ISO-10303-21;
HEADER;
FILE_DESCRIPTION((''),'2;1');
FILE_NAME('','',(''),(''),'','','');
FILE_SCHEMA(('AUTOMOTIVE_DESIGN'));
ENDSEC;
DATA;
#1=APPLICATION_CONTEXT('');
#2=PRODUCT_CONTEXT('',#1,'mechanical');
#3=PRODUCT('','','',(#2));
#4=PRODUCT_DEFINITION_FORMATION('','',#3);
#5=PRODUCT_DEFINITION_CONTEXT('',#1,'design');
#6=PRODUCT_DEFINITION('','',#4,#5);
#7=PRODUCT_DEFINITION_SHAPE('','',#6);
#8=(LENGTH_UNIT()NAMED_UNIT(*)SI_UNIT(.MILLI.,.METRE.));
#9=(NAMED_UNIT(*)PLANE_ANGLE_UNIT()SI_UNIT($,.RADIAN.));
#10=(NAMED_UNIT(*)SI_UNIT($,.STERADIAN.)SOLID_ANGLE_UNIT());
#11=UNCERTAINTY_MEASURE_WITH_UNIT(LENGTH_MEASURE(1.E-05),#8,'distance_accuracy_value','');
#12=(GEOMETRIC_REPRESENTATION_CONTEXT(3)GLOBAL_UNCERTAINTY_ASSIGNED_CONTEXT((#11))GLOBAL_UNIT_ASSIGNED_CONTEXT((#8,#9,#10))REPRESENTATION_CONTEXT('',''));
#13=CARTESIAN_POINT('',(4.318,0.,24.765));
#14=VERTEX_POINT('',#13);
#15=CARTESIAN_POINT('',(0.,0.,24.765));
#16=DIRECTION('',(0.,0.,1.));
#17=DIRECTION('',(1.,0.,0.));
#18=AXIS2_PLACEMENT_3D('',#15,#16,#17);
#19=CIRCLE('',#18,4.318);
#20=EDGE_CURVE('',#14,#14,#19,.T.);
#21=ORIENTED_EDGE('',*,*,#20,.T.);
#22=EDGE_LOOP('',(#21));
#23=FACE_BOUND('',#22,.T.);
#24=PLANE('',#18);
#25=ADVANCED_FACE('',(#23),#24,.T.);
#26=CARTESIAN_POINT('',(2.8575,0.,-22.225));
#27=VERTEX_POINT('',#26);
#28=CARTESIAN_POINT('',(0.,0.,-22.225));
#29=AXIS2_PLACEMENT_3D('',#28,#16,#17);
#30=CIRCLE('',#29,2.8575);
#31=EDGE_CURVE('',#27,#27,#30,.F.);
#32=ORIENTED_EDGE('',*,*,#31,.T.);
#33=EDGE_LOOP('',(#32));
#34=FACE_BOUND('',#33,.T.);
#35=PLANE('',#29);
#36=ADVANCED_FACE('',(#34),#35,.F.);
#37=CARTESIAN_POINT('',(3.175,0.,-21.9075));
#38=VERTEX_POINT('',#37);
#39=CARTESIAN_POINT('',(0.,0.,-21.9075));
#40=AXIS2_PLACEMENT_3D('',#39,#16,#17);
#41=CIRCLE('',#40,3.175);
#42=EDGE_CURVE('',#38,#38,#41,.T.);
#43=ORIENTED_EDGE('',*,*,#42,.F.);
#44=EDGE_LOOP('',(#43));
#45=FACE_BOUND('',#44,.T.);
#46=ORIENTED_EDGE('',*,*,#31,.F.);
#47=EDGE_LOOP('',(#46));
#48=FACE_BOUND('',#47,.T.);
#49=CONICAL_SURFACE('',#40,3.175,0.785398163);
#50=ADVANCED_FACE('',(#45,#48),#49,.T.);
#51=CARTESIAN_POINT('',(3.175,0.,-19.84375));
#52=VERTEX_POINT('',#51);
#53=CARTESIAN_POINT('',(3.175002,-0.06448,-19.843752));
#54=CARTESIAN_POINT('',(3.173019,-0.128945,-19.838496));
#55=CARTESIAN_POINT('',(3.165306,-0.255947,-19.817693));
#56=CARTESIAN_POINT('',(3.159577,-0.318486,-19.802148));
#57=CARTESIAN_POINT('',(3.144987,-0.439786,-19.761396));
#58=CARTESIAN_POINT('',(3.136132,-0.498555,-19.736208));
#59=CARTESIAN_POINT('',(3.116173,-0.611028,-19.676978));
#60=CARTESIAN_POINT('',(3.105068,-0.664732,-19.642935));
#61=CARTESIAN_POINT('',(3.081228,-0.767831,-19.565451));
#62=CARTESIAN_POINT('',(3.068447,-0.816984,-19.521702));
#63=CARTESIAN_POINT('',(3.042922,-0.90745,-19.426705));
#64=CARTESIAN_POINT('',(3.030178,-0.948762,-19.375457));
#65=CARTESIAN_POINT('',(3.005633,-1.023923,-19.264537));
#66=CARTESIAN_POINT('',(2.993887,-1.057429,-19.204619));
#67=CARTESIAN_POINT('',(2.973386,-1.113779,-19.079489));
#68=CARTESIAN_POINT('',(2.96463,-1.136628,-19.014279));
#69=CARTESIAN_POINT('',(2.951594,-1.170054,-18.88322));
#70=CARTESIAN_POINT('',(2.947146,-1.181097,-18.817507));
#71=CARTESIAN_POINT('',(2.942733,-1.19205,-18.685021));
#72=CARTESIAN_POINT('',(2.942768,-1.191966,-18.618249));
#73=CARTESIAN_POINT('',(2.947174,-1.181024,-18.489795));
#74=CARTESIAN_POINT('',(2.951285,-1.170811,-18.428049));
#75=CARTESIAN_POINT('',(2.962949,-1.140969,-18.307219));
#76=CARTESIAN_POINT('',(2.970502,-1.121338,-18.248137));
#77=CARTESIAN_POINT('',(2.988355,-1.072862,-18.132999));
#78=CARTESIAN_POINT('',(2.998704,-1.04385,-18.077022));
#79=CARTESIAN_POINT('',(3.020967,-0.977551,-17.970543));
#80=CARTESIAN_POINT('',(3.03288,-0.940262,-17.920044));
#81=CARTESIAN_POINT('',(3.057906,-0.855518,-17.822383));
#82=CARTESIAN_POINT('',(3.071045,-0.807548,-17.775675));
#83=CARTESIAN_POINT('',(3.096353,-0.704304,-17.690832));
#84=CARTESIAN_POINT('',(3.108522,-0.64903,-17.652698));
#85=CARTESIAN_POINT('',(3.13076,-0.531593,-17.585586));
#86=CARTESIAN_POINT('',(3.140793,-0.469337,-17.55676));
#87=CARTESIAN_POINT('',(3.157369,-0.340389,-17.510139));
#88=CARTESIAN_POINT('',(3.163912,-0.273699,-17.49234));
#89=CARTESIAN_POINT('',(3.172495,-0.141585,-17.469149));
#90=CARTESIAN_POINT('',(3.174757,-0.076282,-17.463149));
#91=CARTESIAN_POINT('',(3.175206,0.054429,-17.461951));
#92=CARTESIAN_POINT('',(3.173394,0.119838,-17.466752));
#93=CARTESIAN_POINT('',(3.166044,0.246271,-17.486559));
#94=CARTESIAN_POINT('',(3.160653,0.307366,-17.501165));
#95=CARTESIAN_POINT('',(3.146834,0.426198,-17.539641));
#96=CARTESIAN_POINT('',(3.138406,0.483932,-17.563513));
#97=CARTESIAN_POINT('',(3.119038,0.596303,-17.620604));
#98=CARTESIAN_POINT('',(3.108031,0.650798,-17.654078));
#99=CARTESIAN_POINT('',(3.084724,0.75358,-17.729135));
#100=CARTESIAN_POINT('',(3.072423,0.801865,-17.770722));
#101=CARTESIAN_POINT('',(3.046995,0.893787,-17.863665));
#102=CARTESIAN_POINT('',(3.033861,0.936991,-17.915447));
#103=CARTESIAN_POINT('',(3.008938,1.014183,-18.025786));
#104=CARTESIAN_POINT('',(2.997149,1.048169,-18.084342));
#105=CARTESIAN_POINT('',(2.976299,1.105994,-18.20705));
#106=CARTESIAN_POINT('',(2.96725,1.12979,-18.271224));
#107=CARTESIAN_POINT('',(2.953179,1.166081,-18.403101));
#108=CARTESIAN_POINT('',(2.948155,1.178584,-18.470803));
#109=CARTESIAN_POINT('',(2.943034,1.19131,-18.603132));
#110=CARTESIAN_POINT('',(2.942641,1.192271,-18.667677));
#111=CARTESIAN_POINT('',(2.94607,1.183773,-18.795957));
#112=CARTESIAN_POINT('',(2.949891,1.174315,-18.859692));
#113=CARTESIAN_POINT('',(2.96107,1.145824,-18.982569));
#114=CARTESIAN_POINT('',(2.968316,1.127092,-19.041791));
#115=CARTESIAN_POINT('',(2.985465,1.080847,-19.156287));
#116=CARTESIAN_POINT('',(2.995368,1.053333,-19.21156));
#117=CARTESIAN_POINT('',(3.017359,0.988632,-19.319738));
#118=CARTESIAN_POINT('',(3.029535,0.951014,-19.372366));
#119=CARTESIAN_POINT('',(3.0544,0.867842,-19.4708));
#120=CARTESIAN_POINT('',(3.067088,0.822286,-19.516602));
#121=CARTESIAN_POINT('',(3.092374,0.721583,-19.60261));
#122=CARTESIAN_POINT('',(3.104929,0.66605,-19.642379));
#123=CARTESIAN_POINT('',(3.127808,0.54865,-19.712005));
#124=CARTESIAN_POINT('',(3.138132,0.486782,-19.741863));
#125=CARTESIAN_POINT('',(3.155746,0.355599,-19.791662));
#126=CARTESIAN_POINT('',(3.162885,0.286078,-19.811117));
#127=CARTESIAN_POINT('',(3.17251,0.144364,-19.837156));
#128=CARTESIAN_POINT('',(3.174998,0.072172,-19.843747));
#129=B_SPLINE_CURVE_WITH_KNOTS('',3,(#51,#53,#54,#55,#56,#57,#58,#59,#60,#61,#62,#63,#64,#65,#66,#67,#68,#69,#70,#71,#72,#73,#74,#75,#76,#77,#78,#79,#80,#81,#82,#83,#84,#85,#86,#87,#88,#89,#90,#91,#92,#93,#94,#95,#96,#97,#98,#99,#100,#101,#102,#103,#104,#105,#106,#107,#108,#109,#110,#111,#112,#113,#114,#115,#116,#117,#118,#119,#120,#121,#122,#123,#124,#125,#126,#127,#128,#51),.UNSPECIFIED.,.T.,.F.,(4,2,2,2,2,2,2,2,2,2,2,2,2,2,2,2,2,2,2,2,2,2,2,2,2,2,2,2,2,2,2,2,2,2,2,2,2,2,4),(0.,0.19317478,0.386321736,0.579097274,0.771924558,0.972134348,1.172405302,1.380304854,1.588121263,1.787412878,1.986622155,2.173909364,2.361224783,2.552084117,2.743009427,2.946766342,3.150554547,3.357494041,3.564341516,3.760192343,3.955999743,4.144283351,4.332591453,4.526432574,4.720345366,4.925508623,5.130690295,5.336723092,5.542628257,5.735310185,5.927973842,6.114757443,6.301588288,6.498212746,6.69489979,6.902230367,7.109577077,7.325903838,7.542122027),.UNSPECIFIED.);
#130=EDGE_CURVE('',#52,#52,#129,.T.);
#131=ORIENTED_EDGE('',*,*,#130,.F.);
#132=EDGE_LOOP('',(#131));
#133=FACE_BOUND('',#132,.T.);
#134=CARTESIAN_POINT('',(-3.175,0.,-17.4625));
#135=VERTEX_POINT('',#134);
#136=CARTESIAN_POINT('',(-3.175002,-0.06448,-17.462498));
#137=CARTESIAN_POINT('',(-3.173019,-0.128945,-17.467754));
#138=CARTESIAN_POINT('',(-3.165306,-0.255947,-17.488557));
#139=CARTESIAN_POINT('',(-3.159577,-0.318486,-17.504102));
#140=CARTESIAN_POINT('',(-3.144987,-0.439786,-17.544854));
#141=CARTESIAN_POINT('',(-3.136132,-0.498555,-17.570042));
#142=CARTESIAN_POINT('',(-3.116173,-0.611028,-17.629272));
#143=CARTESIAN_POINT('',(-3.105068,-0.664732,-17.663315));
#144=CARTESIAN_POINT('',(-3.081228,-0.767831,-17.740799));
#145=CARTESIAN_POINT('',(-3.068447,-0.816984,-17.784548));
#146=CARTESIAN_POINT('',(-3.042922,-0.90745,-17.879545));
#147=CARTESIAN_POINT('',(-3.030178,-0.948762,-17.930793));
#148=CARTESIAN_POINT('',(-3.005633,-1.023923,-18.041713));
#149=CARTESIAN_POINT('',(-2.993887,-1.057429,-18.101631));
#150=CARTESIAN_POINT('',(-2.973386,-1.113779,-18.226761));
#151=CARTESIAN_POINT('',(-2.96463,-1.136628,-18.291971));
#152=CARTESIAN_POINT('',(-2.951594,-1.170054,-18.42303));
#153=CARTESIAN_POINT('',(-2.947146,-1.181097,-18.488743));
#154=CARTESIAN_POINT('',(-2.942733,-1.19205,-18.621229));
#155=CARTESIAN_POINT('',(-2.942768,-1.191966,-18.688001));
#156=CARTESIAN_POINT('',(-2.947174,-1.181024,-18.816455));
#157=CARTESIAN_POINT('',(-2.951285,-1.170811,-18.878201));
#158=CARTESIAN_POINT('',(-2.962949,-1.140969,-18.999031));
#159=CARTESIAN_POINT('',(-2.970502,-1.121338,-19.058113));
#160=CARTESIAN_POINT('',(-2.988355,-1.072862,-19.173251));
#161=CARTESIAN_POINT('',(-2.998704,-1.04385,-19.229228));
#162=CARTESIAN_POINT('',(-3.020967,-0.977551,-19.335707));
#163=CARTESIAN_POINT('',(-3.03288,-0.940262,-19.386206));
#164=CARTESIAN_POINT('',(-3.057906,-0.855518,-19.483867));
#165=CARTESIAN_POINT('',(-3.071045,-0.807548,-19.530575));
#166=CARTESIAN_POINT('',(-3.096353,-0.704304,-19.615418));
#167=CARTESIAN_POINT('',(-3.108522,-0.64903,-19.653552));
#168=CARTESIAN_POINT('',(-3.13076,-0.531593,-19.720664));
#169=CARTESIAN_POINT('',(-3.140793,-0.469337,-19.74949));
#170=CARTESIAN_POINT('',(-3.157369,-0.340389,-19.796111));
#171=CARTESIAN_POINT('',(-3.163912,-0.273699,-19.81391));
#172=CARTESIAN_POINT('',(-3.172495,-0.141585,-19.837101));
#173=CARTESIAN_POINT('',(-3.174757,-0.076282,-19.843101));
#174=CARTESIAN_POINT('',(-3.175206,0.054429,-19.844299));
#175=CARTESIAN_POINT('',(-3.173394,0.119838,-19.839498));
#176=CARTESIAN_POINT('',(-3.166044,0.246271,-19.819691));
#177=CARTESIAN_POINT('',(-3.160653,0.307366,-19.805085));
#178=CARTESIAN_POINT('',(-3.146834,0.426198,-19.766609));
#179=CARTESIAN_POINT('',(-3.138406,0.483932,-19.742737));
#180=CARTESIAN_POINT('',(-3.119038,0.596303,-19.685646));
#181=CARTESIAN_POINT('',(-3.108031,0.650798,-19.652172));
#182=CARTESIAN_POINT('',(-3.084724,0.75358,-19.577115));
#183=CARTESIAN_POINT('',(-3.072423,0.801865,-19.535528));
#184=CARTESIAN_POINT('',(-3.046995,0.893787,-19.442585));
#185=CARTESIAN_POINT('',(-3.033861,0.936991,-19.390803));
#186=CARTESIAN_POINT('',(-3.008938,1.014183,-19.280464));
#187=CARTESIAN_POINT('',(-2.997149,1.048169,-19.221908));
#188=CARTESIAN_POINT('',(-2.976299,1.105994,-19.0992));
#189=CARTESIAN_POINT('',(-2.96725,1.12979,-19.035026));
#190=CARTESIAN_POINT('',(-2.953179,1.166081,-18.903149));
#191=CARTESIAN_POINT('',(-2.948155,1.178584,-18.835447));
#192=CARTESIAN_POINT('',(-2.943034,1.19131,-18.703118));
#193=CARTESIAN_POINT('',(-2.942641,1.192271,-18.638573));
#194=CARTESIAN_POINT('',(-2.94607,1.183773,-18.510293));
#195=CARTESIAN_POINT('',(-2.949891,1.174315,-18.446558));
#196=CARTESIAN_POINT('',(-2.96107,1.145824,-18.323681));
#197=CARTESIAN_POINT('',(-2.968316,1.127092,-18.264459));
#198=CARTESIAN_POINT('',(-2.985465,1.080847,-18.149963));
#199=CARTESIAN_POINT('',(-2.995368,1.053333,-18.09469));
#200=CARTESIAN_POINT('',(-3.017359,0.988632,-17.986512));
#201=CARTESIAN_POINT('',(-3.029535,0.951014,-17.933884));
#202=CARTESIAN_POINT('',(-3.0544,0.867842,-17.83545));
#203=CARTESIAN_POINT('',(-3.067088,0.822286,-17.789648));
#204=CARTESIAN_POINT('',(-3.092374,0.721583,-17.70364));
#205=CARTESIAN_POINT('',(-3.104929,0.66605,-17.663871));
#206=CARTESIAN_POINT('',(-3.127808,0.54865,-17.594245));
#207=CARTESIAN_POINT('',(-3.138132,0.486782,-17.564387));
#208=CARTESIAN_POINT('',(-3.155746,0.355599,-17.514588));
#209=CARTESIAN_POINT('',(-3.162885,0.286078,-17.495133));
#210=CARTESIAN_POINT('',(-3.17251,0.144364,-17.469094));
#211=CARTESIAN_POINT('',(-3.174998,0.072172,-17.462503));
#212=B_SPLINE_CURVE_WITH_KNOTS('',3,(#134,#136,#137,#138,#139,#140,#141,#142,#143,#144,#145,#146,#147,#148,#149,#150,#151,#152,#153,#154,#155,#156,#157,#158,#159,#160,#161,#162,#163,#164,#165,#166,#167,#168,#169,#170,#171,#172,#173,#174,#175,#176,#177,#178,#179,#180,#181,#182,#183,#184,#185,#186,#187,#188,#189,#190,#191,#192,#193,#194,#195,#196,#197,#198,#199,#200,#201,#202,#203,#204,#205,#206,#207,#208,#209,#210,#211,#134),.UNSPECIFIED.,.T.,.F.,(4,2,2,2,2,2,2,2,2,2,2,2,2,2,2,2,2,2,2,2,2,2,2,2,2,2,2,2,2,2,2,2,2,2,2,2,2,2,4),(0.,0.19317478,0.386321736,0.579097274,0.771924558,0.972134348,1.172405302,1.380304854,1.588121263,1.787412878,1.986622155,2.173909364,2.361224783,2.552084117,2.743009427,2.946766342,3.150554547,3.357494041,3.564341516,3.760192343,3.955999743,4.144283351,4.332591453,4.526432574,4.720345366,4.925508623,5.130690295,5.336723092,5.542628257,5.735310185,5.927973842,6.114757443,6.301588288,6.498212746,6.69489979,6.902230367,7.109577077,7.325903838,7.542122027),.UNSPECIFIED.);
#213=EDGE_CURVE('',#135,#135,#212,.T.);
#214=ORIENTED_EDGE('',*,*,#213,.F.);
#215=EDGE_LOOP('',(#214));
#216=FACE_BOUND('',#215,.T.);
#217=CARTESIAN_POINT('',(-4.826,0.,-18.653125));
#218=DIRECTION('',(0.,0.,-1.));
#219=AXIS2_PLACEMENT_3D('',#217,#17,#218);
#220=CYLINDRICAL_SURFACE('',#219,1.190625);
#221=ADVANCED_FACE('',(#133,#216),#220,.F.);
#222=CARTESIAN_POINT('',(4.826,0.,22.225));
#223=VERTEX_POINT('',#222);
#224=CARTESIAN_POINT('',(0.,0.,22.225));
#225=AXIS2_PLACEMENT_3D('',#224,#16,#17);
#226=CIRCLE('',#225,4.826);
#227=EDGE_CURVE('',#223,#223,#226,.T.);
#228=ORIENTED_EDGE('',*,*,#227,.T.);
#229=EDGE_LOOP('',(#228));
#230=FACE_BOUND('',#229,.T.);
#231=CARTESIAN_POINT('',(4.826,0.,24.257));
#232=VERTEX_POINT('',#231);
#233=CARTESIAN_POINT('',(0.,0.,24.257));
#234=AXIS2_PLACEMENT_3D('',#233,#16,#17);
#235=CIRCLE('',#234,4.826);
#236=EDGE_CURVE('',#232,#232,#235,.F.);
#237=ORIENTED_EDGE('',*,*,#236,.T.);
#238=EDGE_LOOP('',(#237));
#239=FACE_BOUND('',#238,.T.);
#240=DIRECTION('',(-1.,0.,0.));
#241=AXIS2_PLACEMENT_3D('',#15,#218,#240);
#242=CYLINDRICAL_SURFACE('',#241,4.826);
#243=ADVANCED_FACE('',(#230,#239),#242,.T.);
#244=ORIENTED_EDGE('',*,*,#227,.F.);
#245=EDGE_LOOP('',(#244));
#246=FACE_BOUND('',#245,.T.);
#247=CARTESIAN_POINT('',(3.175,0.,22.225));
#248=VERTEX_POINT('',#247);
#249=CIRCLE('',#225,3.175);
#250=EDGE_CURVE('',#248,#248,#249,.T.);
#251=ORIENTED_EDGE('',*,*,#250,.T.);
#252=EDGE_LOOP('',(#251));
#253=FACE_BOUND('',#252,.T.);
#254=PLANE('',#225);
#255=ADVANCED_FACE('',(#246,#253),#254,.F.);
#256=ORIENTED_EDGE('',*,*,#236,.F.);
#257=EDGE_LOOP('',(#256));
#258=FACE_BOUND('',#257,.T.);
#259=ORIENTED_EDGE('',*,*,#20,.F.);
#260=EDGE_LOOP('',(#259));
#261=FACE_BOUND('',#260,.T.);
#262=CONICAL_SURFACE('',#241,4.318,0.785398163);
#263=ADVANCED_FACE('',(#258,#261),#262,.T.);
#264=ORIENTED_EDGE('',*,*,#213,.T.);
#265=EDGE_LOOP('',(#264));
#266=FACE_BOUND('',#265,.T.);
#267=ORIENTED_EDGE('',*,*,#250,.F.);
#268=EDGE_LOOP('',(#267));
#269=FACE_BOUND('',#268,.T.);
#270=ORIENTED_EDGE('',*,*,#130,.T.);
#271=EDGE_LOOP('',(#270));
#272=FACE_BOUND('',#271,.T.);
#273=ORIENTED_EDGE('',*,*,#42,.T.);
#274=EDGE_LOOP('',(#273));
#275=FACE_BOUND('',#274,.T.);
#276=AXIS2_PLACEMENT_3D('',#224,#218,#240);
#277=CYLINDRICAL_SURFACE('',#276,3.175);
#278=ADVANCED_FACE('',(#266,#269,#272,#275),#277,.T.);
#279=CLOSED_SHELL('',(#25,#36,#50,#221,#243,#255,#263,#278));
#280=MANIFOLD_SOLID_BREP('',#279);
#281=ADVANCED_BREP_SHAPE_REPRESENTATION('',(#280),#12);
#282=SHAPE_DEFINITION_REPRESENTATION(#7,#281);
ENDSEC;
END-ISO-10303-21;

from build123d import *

# Parameters (mm, degrees)
SKETCH1_R           = 3.175
EXTRUDE1_DEPTH      = 22.225
SKETCH2_R           = 4.826
EXTRUDE2_DEPTH      = 2.54
CHAMFER1_SIZE       = 0.508
SKETCH3_R           = 1.190625
EXTRUDE3_DEPTH      = 5.826
EXTRUDE3_DEPTH_BACK = 5.826
CHAMFER2_SIZE       = 0.3175


with BuildPart() as part:
    # Sketch1 → Extrude1 (new body, symmetric)
    with BuildSketch(Plane.XY):
        Circle(SKETCH1_R)
    extrude(amount=EXTRUDE1_DEPTH, both=True)

    # Sketch2 → Extrude2 (add)
    with BuildSketch(Plane.XY.offset(22.225)):
        Circle(SKETCH2_R)
    extrude(amount=EXTRUDE2_DEPTH)

    # Chamfer1
    chamfer1_edges = [part.edges().sort_by_distance(p)[0] for p in [
        (-4.826, 0, 24.765),
    ]]
    chamfer(chamfer1_edges, length=CHAMFER1_SIZE)

    # Sketch3 → Extrude3 (cut, two sides)
    with BuildSketch(Plane(origin=(0, 0, 0), x_dir=(0, 0, -1), z_dir=(1, 0, 0))) as extrude3_sk:
        with Locations((18.653125, 0)):
            Circle(SKETCH3_R)
    extrude(amount=EXTRUDE3_DEPTH, mode=Mode.SUBTRACT)
    extrude(extrude3_sk.sketch, amount=-EXTRUDE3_DEPTH_BACK, mode=Mode.SUBTRACT)

    # Chamfer2
    chamfer2_edges = [part.edges().sort_by_distance(p)[0] for p in [
        (-3.175, 0, -22.225),
    ]]
    chamfer(chamfer2_edges, length=CHAMFER2_SIZE)


solid = part.part
